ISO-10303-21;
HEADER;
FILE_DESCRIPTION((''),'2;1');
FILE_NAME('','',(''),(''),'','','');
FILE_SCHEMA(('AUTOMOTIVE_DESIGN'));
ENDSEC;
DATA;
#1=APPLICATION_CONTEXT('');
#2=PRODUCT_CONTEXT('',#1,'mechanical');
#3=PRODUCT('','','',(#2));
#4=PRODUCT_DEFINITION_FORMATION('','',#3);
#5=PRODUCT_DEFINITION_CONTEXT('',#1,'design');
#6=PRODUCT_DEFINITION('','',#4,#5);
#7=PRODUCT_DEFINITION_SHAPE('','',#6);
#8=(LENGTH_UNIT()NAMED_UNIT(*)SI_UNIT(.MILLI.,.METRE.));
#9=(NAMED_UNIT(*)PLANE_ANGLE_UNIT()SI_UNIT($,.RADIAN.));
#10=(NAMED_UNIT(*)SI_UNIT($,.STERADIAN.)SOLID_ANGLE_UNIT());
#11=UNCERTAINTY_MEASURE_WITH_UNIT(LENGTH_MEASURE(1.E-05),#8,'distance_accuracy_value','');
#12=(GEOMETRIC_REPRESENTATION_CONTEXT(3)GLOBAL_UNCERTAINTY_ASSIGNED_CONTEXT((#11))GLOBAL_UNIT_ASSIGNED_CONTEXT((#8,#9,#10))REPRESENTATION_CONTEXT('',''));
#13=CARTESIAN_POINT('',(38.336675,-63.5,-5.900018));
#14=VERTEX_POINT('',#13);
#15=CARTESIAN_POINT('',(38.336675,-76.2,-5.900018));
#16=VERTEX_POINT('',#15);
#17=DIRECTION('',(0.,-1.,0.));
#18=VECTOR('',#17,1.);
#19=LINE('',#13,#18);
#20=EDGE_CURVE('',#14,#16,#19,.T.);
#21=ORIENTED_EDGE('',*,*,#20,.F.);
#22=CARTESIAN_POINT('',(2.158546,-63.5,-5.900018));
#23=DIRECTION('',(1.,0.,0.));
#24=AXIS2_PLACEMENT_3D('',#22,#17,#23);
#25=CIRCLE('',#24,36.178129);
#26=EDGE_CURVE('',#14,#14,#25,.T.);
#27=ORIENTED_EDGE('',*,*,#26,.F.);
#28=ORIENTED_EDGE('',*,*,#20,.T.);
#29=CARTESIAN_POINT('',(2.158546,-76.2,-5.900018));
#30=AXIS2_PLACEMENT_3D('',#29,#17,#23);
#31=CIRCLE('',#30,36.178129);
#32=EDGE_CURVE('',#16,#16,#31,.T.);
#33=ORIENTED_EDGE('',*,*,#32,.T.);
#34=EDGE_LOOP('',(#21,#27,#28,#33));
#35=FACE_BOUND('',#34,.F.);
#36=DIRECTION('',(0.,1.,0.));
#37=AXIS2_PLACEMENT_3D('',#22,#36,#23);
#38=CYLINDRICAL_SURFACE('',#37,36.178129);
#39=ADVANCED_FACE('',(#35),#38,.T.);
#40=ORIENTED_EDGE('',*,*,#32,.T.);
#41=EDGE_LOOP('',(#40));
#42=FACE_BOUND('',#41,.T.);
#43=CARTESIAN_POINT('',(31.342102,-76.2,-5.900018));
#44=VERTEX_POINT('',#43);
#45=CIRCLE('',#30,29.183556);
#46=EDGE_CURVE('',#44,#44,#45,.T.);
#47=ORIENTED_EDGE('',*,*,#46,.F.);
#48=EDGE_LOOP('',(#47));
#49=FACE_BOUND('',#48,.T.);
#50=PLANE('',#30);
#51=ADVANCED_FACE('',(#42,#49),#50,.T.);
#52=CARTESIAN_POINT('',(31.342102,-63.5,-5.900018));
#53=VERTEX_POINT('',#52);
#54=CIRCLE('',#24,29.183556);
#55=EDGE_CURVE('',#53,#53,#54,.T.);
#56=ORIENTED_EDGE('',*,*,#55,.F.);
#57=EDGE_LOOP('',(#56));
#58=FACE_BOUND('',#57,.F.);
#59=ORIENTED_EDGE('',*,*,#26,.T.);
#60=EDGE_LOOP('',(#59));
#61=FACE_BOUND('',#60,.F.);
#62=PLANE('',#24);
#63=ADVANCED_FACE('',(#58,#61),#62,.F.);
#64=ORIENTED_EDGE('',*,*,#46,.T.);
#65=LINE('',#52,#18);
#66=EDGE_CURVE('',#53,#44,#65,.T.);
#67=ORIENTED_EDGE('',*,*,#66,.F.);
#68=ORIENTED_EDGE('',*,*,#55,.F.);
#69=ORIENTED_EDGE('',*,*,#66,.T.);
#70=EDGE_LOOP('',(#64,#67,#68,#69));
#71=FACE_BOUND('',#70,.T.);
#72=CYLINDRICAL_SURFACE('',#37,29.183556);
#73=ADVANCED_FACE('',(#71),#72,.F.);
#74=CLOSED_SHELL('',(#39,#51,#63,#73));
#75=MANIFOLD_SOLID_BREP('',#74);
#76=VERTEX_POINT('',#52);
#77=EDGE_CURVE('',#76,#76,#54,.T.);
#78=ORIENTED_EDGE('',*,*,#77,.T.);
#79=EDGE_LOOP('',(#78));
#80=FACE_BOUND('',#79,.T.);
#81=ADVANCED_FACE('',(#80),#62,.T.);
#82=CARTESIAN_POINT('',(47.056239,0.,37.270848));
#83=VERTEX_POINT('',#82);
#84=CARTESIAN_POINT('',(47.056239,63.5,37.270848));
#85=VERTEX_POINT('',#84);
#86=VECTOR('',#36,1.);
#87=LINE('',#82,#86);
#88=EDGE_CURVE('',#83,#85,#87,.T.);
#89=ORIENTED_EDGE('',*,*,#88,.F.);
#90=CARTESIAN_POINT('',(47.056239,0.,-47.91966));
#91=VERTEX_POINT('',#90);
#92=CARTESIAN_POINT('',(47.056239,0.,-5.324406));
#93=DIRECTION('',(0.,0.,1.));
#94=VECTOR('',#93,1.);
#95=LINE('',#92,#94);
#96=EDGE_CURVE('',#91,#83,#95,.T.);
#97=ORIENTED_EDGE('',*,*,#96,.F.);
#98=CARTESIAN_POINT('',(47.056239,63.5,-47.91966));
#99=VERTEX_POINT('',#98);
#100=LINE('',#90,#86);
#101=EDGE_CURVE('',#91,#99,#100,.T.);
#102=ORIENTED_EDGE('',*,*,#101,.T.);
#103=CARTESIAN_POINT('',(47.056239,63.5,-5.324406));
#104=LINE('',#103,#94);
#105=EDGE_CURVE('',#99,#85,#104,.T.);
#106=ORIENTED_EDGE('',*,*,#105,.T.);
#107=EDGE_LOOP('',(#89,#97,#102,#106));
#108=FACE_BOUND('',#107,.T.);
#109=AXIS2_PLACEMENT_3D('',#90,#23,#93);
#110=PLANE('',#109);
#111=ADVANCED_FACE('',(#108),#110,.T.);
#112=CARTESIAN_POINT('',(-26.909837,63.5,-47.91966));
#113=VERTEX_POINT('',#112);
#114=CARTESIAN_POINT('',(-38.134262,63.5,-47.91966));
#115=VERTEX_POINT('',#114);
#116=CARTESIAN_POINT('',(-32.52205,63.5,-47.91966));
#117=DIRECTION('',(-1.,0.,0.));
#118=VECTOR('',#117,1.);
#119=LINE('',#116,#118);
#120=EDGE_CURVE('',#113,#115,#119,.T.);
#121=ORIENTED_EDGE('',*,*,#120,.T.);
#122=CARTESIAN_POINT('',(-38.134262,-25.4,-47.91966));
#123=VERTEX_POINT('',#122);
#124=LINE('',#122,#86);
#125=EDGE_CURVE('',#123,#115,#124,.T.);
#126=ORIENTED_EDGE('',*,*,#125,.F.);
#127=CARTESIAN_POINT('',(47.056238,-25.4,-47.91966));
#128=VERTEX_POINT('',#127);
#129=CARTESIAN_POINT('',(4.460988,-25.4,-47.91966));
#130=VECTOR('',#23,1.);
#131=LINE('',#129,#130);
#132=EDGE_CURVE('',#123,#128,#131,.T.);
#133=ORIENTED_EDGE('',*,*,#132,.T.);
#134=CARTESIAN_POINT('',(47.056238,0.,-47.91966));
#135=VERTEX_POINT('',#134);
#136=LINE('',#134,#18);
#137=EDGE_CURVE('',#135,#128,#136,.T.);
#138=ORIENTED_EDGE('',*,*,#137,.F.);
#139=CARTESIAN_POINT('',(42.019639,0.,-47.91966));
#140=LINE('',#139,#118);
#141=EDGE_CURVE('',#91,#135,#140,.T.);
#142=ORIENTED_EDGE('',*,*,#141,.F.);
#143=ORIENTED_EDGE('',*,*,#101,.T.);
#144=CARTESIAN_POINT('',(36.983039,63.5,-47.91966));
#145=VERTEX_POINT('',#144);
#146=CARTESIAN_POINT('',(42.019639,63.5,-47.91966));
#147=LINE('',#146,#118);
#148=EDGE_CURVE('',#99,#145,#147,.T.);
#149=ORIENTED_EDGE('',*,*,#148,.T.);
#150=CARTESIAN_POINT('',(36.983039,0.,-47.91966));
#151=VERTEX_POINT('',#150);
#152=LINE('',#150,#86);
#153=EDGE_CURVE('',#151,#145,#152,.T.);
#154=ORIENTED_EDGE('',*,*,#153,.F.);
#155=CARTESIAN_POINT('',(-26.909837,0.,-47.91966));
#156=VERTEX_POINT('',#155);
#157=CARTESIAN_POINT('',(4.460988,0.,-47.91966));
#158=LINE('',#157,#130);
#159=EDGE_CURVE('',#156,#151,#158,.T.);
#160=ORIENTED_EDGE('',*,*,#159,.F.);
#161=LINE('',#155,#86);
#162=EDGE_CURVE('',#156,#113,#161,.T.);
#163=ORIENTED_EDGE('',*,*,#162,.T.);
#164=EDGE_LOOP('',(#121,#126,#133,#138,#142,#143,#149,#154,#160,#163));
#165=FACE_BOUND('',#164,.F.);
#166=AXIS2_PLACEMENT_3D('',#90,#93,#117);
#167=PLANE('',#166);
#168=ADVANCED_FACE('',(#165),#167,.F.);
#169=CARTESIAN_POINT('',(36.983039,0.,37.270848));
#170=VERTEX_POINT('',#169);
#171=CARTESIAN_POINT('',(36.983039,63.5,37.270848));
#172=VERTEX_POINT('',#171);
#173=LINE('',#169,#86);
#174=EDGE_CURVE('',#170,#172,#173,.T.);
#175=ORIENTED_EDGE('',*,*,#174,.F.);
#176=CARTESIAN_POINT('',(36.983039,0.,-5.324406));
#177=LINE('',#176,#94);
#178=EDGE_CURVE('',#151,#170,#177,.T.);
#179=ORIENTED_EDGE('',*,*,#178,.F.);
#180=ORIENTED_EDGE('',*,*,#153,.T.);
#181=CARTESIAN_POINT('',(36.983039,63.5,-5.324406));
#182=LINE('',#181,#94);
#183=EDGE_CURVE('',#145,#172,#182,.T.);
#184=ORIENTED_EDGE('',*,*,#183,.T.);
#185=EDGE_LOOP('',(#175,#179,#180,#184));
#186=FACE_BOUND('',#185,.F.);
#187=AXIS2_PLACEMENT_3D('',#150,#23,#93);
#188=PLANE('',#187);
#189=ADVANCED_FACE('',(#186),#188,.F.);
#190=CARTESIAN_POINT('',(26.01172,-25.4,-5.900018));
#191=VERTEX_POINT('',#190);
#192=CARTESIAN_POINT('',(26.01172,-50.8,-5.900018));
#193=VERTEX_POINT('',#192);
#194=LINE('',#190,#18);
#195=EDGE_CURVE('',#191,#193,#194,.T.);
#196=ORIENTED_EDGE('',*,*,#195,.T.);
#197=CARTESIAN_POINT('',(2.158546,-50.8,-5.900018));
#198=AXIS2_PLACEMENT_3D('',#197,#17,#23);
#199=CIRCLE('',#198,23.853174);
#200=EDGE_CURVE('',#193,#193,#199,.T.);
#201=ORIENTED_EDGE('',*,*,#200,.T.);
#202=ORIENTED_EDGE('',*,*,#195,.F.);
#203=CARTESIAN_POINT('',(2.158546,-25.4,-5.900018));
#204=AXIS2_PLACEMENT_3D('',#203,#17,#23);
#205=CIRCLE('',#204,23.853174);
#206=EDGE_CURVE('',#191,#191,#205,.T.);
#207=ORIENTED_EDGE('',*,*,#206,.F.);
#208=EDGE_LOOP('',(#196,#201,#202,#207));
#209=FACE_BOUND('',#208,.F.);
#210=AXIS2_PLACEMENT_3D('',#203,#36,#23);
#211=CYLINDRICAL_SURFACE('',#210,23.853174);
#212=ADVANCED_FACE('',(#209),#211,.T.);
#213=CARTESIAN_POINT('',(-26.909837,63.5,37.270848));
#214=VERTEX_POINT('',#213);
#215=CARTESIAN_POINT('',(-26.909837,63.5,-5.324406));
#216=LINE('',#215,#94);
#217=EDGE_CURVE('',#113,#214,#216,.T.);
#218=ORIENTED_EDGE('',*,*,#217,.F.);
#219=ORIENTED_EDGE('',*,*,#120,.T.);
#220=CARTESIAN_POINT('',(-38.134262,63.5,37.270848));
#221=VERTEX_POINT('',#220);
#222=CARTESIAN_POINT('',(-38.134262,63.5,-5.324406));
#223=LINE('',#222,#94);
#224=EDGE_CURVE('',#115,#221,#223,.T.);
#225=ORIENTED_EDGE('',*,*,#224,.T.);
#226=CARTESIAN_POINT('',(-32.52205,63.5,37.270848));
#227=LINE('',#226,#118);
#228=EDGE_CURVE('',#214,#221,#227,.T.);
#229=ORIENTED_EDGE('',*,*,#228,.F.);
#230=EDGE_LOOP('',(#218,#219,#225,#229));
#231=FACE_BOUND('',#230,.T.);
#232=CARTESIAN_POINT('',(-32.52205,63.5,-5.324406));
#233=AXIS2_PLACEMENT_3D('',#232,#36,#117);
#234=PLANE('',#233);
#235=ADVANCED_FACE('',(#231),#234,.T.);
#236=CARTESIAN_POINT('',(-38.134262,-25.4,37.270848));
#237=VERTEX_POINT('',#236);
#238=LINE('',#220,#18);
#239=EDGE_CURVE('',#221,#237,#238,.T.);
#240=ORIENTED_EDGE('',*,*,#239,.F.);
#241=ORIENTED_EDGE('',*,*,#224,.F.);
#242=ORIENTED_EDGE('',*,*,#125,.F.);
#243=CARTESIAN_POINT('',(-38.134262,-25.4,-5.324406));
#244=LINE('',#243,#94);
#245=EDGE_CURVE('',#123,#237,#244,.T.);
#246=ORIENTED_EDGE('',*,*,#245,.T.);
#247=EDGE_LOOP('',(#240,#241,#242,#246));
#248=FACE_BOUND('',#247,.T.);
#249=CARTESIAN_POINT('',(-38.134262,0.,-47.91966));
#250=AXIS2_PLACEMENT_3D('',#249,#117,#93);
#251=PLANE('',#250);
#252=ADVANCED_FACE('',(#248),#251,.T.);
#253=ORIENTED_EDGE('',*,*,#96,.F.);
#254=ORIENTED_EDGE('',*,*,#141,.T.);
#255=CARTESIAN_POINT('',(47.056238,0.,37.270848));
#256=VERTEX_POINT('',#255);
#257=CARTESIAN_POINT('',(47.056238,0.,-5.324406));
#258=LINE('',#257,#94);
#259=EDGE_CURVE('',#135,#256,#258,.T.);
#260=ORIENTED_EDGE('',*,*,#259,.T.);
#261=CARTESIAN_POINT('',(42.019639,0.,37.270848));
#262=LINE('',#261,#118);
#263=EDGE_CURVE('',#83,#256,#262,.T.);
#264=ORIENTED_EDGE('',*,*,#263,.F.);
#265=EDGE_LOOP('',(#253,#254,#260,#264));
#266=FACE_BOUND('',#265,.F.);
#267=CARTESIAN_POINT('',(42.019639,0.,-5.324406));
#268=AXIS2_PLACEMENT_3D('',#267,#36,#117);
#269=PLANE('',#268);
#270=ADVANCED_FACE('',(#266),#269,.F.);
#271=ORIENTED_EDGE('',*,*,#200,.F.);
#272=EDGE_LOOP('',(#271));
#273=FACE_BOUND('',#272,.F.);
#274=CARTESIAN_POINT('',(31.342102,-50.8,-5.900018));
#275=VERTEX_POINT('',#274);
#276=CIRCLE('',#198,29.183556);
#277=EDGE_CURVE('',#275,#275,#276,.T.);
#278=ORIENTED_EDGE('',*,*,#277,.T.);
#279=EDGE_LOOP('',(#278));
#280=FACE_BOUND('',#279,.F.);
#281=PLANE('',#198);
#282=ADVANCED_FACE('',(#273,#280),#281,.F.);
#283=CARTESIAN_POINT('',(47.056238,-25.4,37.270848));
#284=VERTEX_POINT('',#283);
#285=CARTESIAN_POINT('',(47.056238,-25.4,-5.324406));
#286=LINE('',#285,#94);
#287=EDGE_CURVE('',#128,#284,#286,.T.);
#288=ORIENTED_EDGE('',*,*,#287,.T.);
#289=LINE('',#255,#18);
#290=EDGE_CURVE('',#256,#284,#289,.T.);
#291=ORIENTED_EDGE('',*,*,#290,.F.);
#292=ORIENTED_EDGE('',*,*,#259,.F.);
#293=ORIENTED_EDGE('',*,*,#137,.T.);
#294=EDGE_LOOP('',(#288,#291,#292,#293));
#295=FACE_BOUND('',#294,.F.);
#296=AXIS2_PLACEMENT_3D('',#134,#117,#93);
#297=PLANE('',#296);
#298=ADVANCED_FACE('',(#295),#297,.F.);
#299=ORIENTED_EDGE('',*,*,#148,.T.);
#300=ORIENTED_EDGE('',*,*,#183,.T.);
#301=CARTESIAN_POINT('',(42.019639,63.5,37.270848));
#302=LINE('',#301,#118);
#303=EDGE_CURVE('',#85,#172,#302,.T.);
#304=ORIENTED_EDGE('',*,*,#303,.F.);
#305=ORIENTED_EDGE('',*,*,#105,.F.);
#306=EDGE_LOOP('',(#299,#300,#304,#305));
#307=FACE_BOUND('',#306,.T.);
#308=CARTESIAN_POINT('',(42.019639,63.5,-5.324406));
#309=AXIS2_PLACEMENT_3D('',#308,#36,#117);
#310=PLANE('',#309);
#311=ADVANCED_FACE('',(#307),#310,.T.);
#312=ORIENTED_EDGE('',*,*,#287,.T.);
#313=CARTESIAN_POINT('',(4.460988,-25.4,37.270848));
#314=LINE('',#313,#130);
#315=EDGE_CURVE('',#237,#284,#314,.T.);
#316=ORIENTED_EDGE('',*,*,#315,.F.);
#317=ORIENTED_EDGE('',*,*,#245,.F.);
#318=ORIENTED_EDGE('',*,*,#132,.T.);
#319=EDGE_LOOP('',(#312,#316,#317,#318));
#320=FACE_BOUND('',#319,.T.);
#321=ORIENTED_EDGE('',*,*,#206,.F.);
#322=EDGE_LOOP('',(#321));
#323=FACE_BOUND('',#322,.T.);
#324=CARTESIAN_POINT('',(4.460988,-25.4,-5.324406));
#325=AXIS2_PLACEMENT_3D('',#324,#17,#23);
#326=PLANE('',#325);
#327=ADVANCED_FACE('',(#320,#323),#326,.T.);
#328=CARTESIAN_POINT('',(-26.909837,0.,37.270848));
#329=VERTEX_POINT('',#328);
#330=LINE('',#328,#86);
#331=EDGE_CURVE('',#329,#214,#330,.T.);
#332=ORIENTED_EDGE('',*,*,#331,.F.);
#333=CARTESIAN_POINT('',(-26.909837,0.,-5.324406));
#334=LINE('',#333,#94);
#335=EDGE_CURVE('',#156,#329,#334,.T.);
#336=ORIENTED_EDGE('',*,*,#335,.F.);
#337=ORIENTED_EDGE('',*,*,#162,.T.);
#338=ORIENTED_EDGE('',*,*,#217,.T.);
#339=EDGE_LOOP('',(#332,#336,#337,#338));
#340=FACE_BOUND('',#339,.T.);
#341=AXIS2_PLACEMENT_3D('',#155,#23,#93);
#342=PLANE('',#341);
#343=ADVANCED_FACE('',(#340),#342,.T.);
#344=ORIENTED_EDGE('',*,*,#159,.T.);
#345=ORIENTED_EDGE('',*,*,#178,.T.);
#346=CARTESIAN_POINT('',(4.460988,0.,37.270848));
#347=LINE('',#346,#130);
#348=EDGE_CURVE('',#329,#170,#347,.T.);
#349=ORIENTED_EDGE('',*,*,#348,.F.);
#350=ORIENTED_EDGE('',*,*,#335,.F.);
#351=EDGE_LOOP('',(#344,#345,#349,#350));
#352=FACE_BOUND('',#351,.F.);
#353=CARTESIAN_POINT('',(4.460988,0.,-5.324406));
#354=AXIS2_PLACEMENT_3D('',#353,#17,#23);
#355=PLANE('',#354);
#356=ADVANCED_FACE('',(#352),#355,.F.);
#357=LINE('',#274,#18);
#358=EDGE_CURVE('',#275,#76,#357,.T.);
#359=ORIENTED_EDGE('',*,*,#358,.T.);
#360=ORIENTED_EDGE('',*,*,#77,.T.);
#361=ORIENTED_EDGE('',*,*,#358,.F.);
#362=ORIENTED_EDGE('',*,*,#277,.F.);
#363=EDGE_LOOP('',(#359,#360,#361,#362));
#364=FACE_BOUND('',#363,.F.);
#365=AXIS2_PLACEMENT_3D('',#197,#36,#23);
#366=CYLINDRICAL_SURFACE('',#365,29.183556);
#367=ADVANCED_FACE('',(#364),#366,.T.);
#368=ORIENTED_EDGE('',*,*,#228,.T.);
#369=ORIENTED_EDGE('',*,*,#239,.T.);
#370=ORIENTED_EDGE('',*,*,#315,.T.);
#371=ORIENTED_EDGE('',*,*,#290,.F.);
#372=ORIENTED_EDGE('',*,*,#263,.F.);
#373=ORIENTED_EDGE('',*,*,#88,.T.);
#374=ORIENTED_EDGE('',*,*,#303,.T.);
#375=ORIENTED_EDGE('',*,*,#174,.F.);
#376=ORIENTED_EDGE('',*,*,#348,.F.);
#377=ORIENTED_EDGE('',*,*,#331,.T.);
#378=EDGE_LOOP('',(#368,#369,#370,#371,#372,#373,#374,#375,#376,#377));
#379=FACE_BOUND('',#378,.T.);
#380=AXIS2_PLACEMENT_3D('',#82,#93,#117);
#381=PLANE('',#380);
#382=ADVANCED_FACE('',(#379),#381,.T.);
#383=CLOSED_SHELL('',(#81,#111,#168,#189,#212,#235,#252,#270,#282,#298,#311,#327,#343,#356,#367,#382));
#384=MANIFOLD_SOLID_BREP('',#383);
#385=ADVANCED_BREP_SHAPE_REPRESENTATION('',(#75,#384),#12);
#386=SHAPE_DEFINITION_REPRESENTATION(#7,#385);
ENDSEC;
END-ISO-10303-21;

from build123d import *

# Parameters (mm, degrees)
F0_W     = 85.190501
F0_H     = 85.190509
F1_DEPTH = 25.4
F2_W     = 10.0732
F2_H     = 85.190509
F2_W_2   = 11.224425
F3_DEPTH = 63.5
F4_R     = 23.853174
F5_DEPTH = 25.4
F6_R     = 29.183556
F7_DEPTH = 12.7
F8_R     = 36.178129
F8_R_2   = 29.183556
F9_DEPTH = 12.7


with BuildPart() as f1:
    # F0 (on Front) → F1 (new body)
    with BuildSketch(Plane.XZ):
        with Locations((4.460988, -5.324406)):
            Rectangle(F0_W, F0_H)
    extrude(amount=F1_DEPTH)

    # F2 (on face) → F3 (join)
    with BuildSketch(Plane(origin=(0, 0, 0), x_dir=(-1, 0, 0), z_dir=(0, 1, 0))):
        with Locations((-42.019639, -5.324406)):
            Rectangle(F2_W, F2_H)
        with Locations((32.52205, -5.324406)):
            Rectangle(F2_W_2, F2_H)
    extrude(amount=F3_DEPTH)

    # F4 (on face) → F5 (join)
    with BuildSketch(Plane.XZ.offset(25.4)):
        with Locations((2.158546, -5.900018)):
            Circle(F4_R)
    extrude(amount=F5_DEPTH)

    # F6 (on face) → F7 (join)
    with BuildSketch(Plane.XZ.offset(50.8)):
        with Locations((2.158546, -5.900018)):
            Circle(F6_R)
    extrude(amount=F7_DEPTH)


with BuildPart() as f9:
    # F8 (on face) → F9 (new body)
    with BuildSketch(Plane.XZ.offset(63.5)):
        with Locations((2.158546, -5.900018)):
            Circle(F8_R)
        with Locations((2.158546, -5.900018)):
            Circle(F8_R_2, mode=Mode.SUBTRACT)
    extrude(amount=F9_DEPTH)


solid = Compound([f1.part, f9.part])
